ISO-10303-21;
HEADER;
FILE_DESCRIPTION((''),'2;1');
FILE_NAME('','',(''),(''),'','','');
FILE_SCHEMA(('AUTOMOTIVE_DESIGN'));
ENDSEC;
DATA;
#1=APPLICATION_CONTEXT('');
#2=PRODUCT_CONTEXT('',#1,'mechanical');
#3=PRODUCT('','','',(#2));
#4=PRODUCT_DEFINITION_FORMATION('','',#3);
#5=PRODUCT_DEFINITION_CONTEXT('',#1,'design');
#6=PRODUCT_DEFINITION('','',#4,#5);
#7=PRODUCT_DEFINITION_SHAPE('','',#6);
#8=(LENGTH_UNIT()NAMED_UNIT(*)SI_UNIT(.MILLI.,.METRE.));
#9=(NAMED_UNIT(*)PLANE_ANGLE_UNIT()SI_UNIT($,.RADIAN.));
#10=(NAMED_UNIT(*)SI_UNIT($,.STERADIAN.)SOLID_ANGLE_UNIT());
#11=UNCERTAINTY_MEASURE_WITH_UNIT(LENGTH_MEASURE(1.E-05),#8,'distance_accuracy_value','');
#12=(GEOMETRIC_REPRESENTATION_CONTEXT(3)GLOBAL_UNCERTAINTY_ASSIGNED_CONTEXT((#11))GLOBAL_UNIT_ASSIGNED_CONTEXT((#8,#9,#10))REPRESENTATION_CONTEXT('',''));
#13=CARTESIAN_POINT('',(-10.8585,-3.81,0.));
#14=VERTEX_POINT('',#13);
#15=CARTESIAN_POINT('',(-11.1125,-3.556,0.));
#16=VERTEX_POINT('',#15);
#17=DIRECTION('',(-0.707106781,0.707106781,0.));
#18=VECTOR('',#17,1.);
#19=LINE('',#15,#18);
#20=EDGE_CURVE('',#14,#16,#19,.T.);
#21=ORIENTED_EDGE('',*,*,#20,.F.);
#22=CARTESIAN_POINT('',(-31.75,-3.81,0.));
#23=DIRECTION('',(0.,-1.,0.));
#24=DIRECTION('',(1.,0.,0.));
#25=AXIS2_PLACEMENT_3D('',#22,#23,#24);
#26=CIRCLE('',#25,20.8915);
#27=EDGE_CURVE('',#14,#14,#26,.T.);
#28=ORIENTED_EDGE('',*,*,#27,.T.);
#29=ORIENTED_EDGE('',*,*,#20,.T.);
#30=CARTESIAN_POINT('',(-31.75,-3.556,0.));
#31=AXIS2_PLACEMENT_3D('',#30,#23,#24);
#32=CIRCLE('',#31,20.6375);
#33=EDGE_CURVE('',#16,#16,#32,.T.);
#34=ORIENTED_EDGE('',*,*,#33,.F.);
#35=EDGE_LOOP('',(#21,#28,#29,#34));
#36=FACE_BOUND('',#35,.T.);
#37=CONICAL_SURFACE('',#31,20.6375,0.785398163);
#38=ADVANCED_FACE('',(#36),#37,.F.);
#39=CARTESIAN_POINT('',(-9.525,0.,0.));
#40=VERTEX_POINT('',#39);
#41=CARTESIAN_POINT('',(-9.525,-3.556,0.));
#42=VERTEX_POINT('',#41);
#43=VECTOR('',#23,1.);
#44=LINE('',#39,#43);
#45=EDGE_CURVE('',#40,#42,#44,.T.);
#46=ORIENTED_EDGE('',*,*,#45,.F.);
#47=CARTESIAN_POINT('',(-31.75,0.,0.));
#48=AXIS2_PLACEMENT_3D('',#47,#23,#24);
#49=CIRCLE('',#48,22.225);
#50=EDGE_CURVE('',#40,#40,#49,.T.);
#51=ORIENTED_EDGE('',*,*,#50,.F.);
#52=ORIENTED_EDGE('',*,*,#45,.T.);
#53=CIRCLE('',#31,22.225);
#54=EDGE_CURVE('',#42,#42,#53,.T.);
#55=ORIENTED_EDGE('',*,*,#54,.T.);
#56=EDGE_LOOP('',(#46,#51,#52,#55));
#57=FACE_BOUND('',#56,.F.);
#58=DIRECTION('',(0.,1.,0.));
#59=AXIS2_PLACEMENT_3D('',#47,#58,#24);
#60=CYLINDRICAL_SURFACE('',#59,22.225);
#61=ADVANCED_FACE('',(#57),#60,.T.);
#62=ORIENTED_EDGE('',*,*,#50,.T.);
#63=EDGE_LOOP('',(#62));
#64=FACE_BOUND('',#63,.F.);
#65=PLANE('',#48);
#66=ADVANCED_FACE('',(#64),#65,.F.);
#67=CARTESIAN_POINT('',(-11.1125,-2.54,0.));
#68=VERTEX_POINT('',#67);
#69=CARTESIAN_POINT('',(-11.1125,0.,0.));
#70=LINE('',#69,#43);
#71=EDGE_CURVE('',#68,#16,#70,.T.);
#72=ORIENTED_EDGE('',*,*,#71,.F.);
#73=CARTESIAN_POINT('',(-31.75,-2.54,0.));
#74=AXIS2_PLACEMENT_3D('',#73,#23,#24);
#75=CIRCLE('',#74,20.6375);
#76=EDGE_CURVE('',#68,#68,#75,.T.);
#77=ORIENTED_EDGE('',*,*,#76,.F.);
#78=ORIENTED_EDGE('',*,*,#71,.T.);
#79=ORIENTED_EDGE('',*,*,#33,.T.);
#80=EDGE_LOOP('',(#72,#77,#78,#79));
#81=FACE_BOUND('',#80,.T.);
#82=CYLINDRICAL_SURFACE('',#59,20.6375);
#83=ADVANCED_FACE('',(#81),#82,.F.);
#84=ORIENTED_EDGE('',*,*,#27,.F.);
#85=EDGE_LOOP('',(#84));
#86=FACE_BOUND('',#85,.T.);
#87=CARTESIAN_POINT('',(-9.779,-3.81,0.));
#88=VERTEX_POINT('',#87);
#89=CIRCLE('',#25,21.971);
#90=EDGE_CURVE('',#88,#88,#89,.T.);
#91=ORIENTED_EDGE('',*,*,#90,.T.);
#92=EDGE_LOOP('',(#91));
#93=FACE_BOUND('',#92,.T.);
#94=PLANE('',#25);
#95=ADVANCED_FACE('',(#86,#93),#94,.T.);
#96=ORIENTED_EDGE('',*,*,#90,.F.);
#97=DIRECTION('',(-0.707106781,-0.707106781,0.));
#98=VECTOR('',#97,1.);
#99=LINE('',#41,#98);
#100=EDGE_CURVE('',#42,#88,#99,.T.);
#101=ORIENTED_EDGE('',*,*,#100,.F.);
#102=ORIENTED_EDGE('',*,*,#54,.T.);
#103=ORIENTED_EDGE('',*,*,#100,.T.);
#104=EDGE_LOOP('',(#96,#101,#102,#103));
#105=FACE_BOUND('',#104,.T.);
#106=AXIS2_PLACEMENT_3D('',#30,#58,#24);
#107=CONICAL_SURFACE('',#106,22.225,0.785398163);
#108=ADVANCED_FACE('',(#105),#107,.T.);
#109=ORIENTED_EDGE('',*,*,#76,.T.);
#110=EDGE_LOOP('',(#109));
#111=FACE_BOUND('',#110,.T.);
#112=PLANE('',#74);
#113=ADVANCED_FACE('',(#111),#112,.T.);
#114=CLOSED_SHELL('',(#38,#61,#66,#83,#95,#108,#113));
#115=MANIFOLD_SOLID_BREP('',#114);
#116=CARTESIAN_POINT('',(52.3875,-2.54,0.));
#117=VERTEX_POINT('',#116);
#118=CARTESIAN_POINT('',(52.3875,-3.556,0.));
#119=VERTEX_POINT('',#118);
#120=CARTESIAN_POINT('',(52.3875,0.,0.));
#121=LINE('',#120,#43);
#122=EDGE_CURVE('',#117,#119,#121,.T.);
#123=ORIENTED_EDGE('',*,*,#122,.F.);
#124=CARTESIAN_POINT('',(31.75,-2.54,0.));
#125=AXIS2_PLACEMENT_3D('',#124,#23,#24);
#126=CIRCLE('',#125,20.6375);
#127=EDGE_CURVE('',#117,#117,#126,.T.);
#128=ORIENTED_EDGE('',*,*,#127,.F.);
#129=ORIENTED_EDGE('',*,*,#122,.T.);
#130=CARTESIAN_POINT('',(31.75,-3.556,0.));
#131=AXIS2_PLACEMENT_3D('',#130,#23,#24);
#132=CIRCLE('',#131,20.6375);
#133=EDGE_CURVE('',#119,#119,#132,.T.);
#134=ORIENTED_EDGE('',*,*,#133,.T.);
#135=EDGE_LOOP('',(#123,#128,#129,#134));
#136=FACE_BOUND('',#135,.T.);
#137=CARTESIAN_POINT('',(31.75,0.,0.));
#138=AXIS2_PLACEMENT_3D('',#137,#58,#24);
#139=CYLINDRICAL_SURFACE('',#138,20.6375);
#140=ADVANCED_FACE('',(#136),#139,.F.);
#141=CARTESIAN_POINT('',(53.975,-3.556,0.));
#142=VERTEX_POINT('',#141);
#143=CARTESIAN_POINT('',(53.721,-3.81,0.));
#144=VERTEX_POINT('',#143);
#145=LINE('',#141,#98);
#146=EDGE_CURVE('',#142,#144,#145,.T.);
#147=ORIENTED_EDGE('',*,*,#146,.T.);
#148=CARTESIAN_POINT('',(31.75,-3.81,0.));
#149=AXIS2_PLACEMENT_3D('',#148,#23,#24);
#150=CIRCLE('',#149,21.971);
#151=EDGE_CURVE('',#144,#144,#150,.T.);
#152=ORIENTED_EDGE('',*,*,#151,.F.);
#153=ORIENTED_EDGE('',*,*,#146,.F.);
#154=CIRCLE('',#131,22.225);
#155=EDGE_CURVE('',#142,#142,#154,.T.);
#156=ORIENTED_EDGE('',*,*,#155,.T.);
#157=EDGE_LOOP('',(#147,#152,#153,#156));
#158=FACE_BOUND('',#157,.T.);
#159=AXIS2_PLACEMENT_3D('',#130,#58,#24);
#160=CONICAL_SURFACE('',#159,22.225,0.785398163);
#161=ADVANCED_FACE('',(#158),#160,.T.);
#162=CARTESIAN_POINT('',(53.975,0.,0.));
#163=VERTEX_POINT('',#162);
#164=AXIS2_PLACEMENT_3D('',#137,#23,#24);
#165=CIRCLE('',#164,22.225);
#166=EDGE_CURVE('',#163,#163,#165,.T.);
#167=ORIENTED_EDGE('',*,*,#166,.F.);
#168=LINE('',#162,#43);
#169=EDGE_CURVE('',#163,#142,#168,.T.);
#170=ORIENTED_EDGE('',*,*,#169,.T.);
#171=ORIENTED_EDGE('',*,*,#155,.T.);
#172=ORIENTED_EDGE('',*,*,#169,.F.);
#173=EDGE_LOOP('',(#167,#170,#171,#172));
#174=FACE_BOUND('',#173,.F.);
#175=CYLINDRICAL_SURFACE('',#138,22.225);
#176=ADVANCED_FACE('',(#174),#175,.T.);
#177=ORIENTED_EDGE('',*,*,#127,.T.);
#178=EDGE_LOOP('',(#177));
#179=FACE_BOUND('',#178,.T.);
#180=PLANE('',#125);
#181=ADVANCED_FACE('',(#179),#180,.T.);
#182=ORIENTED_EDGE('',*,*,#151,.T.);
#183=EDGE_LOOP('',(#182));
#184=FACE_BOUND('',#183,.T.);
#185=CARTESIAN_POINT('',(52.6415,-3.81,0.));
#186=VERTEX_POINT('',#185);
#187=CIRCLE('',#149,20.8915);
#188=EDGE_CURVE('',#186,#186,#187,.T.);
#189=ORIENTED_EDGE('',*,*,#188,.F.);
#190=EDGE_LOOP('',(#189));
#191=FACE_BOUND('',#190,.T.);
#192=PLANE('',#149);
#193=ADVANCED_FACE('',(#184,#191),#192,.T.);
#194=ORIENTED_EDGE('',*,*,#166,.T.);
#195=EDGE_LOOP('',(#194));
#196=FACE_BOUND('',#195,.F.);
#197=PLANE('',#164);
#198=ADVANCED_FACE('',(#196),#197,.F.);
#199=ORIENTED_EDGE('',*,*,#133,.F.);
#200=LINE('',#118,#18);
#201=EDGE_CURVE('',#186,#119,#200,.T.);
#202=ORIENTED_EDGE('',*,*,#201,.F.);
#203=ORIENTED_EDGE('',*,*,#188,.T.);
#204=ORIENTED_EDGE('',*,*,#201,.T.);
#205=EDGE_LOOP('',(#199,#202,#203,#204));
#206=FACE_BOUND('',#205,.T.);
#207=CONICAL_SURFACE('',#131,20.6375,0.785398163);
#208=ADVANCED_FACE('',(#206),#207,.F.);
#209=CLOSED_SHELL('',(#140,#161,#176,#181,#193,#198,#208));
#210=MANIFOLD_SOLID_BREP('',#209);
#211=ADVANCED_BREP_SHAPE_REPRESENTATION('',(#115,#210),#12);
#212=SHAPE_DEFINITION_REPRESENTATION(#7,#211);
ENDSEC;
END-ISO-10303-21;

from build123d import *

# Parameters (mm, degrees)
F0_R     = 20.6375
F1_DEPTH = 2.54
F0_R_2   = 22.225
F2_DEPTH = 3.81
F3_SIZE  = 0.254


with BuildPart() as f1:
    # F0 (on Front) → F1 (new body)
    with BuildSketch(Plane.XZ):
        with Locations((-31.75, 0)):
            Circle(F0_R)
        with Locations((31.75, 0)):
            Circle(F0_R)
    extrude(amount=F1_DEPTH)

    # F0 (on Front) → F2 (join)
    with BuildSketch(Plane.XZ):
        with Locations((-31.75, 0)):
            Circle(F0_R_2)
        with Locations((-31.75, 0)):
            Circle(F0_R, mode=Mode.SUBTRACT)
        with Locations((31.75, 0)):
            Circle(F0_R_2)
        with Locations((31.75, 0)):
            Circle(F0_R, mode=Mode.SUBTRACT)
    extrude(amount=F2_DEPTH)

    # F3
    f3_edges = [f1.edges().sort_by_distance(p)[0] for p in [
        (-52.3875, -3.81, 0),
        (-53.975, -3.81, 0),
        (11.1125, -3.81, 0),
        (9.525, -3.81, 0),
    ]]
    chamfer(f3_edges, length=F3_SIZE)


solid = f1.part
